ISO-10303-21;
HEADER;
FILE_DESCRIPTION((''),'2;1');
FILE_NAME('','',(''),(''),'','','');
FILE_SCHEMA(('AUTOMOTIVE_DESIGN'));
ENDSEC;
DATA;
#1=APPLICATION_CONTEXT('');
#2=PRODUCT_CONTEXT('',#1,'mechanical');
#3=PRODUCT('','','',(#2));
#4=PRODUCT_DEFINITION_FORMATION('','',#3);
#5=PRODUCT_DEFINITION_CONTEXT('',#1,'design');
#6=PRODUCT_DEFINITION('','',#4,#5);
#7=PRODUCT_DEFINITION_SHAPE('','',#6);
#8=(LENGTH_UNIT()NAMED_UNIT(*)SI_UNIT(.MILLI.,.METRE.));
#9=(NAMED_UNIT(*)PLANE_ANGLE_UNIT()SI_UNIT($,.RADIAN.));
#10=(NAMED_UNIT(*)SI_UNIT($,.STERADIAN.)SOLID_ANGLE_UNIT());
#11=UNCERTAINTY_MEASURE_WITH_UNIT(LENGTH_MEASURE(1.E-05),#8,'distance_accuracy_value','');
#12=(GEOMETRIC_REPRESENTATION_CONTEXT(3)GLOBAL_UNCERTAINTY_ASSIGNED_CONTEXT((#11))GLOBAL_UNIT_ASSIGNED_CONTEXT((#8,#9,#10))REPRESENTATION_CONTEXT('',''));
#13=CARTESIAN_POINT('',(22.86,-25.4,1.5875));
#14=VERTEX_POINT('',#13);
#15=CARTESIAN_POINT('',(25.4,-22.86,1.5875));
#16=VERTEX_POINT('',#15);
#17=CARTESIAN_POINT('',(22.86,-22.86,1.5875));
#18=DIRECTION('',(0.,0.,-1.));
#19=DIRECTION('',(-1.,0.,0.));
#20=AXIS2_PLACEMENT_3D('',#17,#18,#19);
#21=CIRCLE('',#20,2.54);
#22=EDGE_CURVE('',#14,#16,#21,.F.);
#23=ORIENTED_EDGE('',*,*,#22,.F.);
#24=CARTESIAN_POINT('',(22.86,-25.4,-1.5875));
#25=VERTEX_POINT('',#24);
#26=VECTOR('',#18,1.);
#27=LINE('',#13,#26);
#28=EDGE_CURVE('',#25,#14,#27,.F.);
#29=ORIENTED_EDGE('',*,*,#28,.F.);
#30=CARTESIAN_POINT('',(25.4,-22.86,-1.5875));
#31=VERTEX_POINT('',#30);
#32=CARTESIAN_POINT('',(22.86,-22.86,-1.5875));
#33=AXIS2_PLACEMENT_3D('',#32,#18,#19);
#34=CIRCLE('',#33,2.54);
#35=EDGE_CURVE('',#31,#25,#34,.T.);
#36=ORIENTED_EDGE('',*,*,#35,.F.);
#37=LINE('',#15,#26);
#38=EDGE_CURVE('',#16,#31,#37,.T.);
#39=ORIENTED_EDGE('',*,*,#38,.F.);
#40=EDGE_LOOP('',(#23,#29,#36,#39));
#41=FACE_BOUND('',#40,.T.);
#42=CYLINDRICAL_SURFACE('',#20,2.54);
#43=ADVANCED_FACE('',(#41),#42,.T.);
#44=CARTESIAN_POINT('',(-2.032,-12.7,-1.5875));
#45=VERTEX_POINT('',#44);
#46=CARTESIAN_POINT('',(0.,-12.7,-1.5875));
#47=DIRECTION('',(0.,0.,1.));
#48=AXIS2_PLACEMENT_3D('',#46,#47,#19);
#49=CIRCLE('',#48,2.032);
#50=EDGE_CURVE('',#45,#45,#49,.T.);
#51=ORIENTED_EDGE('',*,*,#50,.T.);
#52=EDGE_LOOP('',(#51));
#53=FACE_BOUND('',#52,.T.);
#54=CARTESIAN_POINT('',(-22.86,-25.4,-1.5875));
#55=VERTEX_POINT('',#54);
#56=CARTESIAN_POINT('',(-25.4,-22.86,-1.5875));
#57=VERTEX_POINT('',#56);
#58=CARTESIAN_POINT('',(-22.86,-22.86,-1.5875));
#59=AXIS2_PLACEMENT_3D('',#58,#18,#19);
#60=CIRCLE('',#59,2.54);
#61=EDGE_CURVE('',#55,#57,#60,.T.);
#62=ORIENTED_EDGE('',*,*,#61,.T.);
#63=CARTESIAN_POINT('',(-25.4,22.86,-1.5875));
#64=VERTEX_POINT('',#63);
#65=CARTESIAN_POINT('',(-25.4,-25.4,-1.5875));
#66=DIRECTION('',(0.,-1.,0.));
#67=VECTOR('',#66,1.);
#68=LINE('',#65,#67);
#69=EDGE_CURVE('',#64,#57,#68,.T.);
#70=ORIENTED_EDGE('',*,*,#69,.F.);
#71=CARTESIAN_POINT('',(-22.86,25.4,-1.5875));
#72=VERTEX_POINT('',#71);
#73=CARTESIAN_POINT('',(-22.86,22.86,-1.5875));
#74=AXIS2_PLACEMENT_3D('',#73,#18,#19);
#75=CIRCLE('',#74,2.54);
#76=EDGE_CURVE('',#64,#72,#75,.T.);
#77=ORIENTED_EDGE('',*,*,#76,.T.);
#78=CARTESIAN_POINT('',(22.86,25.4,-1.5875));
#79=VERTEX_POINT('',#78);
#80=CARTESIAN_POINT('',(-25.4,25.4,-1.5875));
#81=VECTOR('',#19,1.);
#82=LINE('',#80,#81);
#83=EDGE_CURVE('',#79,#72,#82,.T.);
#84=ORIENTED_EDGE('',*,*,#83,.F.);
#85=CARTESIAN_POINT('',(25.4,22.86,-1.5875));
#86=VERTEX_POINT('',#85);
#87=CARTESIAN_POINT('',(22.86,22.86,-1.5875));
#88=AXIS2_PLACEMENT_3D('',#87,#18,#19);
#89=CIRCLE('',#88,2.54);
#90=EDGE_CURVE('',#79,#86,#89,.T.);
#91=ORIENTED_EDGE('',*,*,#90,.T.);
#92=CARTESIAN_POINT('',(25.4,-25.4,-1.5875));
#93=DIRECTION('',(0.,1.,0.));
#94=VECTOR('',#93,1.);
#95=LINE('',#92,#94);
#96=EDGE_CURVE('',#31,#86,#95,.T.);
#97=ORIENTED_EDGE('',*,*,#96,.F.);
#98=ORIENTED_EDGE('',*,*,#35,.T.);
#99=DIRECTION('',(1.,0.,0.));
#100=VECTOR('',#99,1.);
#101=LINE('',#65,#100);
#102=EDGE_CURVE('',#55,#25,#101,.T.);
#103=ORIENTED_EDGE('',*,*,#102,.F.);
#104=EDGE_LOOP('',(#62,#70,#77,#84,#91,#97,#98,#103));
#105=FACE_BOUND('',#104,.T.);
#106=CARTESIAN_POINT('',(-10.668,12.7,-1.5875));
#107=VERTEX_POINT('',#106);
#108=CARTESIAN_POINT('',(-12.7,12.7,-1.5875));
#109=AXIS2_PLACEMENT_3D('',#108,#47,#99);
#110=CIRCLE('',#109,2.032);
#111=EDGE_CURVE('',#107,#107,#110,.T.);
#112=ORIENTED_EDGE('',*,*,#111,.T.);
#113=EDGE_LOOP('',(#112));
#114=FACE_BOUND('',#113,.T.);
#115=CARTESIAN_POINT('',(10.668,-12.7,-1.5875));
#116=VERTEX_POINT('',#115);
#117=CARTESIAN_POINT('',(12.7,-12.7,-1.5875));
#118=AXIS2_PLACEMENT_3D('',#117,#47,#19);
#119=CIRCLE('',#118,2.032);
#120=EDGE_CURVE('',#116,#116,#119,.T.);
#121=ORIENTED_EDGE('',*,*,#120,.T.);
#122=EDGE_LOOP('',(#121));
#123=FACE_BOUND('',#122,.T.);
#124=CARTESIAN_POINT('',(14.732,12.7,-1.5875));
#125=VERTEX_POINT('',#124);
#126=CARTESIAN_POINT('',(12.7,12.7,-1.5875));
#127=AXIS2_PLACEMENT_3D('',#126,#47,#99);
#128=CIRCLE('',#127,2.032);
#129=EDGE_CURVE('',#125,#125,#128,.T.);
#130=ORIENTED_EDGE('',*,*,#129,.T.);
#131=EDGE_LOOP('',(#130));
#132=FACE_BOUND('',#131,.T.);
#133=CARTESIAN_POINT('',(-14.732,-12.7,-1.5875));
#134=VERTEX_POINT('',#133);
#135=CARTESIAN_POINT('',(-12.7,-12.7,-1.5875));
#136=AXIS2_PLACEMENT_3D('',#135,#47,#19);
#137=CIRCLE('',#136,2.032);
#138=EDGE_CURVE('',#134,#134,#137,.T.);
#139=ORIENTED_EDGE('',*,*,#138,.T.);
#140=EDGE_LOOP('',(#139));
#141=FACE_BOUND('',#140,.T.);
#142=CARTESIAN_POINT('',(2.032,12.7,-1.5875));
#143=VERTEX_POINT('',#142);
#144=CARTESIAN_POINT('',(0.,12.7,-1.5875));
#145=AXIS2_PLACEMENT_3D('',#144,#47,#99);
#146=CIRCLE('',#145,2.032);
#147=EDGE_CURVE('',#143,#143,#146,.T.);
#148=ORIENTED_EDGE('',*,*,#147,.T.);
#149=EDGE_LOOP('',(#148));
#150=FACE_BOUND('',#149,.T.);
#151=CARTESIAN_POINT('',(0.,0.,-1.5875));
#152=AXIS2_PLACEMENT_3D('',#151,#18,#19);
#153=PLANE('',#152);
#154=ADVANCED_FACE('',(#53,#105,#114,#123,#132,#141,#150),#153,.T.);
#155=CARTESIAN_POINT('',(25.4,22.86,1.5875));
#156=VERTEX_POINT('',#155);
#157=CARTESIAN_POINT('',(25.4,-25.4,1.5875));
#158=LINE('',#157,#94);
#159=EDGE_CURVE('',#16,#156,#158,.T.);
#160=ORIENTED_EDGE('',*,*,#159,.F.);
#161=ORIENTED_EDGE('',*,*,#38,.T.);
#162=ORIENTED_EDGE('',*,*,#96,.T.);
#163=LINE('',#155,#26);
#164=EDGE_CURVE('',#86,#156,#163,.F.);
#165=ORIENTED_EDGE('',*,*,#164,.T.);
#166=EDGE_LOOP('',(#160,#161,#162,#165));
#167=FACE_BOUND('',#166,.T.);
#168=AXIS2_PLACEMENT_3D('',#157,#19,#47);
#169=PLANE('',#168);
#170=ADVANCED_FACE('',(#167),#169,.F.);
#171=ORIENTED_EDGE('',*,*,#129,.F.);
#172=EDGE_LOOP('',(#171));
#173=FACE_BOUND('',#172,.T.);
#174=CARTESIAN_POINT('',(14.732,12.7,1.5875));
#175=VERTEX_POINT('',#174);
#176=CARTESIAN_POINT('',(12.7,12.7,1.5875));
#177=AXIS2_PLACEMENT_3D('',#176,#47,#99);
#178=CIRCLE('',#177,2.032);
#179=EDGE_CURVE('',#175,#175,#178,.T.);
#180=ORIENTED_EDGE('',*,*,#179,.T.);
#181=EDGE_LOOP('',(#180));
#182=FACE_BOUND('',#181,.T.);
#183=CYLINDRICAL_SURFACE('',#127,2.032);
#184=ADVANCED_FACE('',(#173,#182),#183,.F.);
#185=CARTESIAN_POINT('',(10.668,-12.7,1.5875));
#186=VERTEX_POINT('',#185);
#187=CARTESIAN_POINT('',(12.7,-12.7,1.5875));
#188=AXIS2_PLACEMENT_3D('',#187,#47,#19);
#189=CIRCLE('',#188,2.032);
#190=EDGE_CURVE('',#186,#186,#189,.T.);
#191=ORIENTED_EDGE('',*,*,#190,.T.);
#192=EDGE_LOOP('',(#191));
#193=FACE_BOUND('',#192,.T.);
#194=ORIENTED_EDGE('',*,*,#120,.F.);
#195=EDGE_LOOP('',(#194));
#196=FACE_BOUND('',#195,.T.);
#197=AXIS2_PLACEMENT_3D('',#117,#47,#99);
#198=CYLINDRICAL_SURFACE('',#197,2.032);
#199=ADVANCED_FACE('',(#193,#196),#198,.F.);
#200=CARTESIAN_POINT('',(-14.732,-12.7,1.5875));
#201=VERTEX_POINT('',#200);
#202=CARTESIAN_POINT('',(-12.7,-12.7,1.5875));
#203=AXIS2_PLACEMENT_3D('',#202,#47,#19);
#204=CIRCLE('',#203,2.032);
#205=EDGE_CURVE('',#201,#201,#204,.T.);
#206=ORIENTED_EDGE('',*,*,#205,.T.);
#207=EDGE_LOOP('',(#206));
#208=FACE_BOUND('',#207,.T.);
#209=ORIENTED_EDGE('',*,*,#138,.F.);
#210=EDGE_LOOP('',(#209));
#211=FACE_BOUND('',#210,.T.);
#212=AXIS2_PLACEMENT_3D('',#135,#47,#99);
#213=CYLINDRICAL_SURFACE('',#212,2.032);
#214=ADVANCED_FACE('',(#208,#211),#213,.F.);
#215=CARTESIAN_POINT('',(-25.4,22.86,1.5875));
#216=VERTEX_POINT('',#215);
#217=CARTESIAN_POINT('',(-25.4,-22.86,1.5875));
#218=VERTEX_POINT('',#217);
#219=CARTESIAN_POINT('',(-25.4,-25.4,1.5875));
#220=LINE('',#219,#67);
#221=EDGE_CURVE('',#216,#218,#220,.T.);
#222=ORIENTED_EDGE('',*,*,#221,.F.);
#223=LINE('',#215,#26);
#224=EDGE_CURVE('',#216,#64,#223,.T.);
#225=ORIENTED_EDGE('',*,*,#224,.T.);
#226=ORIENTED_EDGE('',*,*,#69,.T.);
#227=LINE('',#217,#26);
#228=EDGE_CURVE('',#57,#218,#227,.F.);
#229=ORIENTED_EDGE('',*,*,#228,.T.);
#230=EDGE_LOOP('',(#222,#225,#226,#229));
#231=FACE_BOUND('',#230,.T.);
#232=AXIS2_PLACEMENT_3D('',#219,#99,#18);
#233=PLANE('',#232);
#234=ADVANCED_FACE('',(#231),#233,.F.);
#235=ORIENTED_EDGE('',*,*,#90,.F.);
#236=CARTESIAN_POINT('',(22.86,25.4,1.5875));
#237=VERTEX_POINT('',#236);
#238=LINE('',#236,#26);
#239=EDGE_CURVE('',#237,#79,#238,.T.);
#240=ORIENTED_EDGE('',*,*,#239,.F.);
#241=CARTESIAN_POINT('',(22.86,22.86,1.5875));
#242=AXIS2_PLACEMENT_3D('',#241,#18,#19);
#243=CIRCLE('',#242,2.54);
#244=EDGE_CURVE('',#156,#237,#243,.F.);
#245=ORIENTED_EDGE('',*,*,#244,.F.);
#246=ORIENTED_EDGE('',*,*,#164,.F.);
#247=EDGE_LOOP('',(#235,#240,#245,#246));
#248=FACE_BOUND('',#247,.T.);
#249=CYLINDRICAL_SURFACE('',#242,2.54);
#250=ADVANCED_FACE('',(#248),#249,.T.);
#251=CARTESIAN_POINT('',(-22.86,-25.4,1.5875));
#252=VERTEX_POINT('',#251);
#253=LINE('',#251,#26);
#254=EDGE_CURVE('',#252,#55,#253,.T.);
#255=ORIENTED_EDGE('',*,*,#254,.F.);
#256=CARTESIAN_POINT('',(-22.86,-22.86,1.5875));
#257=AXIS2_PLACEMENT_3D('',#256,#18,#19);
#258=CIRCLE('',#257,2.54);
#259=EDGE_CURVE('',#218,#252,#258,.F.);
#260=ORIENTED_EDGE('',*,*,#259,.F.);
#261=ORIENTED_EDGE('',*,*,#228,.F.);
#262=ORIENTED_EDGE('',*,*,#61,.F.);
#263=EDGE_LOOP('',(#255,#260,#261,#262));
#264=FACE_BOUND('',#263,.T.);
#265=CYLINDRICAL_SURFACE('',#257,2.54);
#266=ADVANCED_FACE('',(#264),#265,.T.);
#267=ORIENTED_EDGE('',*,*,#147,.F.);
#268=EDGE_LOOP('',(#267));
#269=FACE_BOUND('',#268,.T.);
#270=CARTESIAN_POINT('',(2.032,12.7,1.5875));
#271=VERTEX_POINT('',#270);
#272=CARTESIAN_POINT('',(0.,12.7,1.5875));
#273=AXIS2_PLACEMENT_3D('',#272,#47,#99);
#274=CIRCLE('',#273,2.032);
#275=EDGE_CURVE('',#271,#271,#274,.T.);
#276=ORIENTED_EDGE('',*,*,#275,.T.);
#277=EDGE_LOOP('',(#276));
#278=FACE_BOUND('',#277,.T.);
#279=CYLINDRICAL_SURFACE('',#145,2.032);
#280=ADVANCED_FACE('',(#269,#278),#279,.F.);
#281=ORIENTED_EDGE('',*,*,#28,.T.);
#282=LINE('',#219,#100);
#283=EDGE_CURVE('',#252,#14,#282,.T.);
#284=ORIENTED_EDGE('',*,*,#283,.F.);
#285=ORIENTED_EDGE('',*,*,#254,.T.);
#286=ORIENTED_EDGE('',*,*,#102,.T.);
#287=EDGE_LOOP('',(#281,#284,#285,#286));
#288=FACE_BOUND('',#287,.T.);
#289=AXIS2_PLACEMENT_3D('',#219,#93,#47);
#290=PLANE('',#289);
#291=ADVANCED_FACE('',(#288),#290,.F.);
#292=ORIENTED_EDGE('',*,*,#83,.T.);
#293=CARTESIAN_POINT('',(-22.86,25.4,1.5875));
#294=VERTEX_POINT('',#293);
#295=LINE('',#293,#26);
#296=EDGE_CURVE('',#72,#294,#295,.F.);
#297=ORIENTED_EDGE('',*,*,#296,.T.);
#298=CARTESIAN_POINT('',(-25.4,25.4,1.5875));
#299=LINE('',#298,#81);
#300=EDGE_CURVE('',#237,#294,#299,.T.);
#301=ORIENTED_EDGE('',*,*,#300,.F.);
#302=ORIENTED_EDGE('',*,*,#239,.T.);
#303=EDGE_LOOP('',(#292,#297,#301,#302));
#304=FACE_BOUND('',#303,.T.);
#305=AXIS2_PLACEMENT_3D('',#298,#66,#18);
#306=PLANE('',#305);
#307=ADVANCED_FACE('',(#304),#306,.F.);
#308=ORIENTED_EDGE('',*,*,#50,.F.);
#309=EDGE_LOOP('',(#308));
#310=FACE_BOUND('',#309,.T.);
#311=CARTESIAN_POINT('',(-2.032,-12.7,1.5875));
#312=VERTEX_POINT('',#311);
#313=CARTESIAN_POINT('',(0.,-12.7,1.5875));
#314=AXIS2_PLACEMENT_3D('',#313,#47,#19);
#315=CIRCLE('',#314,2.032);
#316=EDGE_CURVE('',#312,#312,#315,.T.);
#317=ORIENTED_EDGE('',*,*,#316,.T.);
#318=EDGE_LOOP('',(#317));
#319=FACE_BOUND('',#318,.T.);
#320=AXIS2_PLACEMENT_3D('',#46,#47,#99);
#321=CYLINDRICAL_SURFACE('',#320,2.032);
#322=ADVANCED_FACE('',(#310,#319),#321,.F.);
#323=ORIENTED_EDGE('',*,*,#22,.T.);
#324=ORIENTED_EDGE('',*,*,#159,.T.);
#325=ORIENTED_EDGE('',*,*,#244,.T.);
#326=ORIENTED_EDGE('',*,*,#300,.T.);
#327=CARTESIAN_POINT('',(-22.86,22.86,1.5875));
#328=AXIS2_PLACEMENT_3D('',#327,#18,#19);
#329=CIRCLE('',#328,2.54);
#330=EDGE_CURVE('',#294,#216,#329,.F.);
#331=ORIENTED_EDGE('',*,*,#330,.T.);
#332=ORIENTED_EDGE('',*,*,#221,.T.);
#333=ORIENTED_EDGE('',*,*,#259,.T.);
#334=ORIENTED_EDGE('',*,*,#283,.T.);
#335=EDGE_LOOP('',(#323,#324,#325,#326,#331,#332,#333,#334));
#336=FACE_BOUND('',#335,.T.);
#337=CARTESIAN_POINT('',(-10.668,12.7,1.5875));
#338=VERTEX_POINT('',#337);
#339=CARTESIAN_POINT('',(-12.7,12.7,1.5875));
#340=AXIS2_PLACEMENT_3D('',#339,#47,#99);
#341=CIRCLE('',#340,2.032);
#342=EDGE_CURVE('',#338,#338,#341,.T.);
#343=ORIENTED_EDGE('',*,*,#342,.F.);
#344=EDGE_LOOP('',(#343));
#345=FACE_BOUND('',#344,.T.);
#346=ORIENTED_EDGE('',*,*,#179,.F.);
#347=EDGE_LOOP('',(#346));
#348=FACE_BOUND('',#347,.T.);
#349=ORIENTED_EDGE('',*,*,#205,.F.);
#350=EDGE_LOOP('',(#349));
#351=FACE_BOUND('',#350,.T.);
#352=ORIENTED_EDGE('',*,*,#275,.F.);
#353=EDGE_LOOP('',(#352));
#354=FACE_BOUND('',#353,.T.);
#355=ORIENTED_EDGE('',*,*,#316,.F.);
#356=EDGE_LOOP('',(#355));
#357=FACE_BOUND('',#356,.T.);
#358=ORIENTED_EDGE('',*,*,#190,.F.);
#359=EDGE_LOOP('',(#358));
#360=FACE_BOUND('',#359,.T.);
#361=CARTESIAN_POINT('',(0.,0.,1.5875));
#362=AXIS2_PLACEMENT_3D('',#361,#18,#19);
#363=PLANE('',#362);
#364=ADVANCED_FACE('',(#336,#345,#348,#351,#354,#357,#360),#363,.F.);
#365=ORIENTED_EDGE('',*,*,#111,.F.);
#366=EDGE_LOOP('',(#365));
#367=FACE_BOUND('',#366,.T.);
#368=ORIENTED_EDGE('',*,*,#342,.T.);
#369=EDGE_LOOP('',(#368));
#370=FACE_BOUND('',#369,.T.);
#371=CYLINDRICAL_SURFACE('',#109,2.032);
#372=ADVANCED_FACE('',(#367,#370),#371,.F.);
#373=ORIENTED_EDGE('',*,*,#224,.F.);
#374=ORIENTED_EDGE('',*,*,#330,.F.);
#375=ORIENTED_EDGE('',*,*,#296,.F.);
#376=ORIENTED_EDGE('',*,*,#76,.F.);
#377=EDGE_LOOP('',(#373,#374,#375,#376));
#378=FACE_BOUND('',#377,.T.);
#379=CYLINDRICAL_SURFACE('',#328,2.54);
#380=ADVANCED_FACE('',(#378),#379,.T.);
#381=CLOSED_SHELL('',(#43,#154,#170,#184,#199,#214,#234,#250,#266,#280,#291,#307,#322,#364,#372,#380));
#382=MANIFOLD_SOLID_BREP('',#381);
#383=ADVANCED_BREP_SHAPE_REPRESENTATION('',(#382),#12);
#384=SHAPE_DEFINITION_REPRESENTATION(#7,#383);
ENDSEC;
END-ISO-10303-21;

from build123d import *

# Parameters (mm, degrees)
SKETCH1_W           = 50.8
SKETCH1_H           = 50.8
BOSS_EXTRUDE1_DEPTH = 1.5875
FILLET1_R           = 2.54
SKETCH2_R           = 2.032
CUT_EXTRUDE1_DEPTH  = 37.061067996


with BuildPart() as part:
    # Sketch1 → Boss-Extrude1 (new, symmetric)
    with BuildSketch(Plane.XY):
        Rectangle(SKETCH1_W, SKETCH1_H)
    extrude(amount=BOSS_EXTRUDE1_DEPTH, both=True)

    # Fillet1
    fillet1_edges = [part.edges().sort_by_distance(p)[0] for p in [
        (25.4, -25.4, 0),
        (-25.4, -25.4, 0),
        (-25.4, 25.4, 0),
        (25.4, 25.4, 0),
    ]]
    fillet(fillet1_edges, radius=FILLET1_R)

    # Sketch2 → Cut-Extrude1 (cut, through all)
    with BuildSketch(Plane.XY.offset(1.5875)):
        with Locations((-12.7, 12.7)):
            Circle(SKETCH2_R)
        with Locations((0, 12.7)):
            Circle(SKETCH2_R)
        with Locations((12.7, 12.7)):
            Circle(SKETCH2_R)
        with Locations(Location((12.7, -12.7, 0), (0, 0, 180))):
            Circle(SKETCH2_R)
        with Locations(Location((0, -12.7, 0), (0, 0, 180))):
            Circle(SKETCH2_R)
        with Locations(Location((-12.7, -12.7, 0), (0, 0, 180))):
            Circle(SKETCH2_R)
    extrude(amount=-CUT_EXTRUDE1_DEPTH, mode=Mode.SUBTRACT)


solid = part.part
